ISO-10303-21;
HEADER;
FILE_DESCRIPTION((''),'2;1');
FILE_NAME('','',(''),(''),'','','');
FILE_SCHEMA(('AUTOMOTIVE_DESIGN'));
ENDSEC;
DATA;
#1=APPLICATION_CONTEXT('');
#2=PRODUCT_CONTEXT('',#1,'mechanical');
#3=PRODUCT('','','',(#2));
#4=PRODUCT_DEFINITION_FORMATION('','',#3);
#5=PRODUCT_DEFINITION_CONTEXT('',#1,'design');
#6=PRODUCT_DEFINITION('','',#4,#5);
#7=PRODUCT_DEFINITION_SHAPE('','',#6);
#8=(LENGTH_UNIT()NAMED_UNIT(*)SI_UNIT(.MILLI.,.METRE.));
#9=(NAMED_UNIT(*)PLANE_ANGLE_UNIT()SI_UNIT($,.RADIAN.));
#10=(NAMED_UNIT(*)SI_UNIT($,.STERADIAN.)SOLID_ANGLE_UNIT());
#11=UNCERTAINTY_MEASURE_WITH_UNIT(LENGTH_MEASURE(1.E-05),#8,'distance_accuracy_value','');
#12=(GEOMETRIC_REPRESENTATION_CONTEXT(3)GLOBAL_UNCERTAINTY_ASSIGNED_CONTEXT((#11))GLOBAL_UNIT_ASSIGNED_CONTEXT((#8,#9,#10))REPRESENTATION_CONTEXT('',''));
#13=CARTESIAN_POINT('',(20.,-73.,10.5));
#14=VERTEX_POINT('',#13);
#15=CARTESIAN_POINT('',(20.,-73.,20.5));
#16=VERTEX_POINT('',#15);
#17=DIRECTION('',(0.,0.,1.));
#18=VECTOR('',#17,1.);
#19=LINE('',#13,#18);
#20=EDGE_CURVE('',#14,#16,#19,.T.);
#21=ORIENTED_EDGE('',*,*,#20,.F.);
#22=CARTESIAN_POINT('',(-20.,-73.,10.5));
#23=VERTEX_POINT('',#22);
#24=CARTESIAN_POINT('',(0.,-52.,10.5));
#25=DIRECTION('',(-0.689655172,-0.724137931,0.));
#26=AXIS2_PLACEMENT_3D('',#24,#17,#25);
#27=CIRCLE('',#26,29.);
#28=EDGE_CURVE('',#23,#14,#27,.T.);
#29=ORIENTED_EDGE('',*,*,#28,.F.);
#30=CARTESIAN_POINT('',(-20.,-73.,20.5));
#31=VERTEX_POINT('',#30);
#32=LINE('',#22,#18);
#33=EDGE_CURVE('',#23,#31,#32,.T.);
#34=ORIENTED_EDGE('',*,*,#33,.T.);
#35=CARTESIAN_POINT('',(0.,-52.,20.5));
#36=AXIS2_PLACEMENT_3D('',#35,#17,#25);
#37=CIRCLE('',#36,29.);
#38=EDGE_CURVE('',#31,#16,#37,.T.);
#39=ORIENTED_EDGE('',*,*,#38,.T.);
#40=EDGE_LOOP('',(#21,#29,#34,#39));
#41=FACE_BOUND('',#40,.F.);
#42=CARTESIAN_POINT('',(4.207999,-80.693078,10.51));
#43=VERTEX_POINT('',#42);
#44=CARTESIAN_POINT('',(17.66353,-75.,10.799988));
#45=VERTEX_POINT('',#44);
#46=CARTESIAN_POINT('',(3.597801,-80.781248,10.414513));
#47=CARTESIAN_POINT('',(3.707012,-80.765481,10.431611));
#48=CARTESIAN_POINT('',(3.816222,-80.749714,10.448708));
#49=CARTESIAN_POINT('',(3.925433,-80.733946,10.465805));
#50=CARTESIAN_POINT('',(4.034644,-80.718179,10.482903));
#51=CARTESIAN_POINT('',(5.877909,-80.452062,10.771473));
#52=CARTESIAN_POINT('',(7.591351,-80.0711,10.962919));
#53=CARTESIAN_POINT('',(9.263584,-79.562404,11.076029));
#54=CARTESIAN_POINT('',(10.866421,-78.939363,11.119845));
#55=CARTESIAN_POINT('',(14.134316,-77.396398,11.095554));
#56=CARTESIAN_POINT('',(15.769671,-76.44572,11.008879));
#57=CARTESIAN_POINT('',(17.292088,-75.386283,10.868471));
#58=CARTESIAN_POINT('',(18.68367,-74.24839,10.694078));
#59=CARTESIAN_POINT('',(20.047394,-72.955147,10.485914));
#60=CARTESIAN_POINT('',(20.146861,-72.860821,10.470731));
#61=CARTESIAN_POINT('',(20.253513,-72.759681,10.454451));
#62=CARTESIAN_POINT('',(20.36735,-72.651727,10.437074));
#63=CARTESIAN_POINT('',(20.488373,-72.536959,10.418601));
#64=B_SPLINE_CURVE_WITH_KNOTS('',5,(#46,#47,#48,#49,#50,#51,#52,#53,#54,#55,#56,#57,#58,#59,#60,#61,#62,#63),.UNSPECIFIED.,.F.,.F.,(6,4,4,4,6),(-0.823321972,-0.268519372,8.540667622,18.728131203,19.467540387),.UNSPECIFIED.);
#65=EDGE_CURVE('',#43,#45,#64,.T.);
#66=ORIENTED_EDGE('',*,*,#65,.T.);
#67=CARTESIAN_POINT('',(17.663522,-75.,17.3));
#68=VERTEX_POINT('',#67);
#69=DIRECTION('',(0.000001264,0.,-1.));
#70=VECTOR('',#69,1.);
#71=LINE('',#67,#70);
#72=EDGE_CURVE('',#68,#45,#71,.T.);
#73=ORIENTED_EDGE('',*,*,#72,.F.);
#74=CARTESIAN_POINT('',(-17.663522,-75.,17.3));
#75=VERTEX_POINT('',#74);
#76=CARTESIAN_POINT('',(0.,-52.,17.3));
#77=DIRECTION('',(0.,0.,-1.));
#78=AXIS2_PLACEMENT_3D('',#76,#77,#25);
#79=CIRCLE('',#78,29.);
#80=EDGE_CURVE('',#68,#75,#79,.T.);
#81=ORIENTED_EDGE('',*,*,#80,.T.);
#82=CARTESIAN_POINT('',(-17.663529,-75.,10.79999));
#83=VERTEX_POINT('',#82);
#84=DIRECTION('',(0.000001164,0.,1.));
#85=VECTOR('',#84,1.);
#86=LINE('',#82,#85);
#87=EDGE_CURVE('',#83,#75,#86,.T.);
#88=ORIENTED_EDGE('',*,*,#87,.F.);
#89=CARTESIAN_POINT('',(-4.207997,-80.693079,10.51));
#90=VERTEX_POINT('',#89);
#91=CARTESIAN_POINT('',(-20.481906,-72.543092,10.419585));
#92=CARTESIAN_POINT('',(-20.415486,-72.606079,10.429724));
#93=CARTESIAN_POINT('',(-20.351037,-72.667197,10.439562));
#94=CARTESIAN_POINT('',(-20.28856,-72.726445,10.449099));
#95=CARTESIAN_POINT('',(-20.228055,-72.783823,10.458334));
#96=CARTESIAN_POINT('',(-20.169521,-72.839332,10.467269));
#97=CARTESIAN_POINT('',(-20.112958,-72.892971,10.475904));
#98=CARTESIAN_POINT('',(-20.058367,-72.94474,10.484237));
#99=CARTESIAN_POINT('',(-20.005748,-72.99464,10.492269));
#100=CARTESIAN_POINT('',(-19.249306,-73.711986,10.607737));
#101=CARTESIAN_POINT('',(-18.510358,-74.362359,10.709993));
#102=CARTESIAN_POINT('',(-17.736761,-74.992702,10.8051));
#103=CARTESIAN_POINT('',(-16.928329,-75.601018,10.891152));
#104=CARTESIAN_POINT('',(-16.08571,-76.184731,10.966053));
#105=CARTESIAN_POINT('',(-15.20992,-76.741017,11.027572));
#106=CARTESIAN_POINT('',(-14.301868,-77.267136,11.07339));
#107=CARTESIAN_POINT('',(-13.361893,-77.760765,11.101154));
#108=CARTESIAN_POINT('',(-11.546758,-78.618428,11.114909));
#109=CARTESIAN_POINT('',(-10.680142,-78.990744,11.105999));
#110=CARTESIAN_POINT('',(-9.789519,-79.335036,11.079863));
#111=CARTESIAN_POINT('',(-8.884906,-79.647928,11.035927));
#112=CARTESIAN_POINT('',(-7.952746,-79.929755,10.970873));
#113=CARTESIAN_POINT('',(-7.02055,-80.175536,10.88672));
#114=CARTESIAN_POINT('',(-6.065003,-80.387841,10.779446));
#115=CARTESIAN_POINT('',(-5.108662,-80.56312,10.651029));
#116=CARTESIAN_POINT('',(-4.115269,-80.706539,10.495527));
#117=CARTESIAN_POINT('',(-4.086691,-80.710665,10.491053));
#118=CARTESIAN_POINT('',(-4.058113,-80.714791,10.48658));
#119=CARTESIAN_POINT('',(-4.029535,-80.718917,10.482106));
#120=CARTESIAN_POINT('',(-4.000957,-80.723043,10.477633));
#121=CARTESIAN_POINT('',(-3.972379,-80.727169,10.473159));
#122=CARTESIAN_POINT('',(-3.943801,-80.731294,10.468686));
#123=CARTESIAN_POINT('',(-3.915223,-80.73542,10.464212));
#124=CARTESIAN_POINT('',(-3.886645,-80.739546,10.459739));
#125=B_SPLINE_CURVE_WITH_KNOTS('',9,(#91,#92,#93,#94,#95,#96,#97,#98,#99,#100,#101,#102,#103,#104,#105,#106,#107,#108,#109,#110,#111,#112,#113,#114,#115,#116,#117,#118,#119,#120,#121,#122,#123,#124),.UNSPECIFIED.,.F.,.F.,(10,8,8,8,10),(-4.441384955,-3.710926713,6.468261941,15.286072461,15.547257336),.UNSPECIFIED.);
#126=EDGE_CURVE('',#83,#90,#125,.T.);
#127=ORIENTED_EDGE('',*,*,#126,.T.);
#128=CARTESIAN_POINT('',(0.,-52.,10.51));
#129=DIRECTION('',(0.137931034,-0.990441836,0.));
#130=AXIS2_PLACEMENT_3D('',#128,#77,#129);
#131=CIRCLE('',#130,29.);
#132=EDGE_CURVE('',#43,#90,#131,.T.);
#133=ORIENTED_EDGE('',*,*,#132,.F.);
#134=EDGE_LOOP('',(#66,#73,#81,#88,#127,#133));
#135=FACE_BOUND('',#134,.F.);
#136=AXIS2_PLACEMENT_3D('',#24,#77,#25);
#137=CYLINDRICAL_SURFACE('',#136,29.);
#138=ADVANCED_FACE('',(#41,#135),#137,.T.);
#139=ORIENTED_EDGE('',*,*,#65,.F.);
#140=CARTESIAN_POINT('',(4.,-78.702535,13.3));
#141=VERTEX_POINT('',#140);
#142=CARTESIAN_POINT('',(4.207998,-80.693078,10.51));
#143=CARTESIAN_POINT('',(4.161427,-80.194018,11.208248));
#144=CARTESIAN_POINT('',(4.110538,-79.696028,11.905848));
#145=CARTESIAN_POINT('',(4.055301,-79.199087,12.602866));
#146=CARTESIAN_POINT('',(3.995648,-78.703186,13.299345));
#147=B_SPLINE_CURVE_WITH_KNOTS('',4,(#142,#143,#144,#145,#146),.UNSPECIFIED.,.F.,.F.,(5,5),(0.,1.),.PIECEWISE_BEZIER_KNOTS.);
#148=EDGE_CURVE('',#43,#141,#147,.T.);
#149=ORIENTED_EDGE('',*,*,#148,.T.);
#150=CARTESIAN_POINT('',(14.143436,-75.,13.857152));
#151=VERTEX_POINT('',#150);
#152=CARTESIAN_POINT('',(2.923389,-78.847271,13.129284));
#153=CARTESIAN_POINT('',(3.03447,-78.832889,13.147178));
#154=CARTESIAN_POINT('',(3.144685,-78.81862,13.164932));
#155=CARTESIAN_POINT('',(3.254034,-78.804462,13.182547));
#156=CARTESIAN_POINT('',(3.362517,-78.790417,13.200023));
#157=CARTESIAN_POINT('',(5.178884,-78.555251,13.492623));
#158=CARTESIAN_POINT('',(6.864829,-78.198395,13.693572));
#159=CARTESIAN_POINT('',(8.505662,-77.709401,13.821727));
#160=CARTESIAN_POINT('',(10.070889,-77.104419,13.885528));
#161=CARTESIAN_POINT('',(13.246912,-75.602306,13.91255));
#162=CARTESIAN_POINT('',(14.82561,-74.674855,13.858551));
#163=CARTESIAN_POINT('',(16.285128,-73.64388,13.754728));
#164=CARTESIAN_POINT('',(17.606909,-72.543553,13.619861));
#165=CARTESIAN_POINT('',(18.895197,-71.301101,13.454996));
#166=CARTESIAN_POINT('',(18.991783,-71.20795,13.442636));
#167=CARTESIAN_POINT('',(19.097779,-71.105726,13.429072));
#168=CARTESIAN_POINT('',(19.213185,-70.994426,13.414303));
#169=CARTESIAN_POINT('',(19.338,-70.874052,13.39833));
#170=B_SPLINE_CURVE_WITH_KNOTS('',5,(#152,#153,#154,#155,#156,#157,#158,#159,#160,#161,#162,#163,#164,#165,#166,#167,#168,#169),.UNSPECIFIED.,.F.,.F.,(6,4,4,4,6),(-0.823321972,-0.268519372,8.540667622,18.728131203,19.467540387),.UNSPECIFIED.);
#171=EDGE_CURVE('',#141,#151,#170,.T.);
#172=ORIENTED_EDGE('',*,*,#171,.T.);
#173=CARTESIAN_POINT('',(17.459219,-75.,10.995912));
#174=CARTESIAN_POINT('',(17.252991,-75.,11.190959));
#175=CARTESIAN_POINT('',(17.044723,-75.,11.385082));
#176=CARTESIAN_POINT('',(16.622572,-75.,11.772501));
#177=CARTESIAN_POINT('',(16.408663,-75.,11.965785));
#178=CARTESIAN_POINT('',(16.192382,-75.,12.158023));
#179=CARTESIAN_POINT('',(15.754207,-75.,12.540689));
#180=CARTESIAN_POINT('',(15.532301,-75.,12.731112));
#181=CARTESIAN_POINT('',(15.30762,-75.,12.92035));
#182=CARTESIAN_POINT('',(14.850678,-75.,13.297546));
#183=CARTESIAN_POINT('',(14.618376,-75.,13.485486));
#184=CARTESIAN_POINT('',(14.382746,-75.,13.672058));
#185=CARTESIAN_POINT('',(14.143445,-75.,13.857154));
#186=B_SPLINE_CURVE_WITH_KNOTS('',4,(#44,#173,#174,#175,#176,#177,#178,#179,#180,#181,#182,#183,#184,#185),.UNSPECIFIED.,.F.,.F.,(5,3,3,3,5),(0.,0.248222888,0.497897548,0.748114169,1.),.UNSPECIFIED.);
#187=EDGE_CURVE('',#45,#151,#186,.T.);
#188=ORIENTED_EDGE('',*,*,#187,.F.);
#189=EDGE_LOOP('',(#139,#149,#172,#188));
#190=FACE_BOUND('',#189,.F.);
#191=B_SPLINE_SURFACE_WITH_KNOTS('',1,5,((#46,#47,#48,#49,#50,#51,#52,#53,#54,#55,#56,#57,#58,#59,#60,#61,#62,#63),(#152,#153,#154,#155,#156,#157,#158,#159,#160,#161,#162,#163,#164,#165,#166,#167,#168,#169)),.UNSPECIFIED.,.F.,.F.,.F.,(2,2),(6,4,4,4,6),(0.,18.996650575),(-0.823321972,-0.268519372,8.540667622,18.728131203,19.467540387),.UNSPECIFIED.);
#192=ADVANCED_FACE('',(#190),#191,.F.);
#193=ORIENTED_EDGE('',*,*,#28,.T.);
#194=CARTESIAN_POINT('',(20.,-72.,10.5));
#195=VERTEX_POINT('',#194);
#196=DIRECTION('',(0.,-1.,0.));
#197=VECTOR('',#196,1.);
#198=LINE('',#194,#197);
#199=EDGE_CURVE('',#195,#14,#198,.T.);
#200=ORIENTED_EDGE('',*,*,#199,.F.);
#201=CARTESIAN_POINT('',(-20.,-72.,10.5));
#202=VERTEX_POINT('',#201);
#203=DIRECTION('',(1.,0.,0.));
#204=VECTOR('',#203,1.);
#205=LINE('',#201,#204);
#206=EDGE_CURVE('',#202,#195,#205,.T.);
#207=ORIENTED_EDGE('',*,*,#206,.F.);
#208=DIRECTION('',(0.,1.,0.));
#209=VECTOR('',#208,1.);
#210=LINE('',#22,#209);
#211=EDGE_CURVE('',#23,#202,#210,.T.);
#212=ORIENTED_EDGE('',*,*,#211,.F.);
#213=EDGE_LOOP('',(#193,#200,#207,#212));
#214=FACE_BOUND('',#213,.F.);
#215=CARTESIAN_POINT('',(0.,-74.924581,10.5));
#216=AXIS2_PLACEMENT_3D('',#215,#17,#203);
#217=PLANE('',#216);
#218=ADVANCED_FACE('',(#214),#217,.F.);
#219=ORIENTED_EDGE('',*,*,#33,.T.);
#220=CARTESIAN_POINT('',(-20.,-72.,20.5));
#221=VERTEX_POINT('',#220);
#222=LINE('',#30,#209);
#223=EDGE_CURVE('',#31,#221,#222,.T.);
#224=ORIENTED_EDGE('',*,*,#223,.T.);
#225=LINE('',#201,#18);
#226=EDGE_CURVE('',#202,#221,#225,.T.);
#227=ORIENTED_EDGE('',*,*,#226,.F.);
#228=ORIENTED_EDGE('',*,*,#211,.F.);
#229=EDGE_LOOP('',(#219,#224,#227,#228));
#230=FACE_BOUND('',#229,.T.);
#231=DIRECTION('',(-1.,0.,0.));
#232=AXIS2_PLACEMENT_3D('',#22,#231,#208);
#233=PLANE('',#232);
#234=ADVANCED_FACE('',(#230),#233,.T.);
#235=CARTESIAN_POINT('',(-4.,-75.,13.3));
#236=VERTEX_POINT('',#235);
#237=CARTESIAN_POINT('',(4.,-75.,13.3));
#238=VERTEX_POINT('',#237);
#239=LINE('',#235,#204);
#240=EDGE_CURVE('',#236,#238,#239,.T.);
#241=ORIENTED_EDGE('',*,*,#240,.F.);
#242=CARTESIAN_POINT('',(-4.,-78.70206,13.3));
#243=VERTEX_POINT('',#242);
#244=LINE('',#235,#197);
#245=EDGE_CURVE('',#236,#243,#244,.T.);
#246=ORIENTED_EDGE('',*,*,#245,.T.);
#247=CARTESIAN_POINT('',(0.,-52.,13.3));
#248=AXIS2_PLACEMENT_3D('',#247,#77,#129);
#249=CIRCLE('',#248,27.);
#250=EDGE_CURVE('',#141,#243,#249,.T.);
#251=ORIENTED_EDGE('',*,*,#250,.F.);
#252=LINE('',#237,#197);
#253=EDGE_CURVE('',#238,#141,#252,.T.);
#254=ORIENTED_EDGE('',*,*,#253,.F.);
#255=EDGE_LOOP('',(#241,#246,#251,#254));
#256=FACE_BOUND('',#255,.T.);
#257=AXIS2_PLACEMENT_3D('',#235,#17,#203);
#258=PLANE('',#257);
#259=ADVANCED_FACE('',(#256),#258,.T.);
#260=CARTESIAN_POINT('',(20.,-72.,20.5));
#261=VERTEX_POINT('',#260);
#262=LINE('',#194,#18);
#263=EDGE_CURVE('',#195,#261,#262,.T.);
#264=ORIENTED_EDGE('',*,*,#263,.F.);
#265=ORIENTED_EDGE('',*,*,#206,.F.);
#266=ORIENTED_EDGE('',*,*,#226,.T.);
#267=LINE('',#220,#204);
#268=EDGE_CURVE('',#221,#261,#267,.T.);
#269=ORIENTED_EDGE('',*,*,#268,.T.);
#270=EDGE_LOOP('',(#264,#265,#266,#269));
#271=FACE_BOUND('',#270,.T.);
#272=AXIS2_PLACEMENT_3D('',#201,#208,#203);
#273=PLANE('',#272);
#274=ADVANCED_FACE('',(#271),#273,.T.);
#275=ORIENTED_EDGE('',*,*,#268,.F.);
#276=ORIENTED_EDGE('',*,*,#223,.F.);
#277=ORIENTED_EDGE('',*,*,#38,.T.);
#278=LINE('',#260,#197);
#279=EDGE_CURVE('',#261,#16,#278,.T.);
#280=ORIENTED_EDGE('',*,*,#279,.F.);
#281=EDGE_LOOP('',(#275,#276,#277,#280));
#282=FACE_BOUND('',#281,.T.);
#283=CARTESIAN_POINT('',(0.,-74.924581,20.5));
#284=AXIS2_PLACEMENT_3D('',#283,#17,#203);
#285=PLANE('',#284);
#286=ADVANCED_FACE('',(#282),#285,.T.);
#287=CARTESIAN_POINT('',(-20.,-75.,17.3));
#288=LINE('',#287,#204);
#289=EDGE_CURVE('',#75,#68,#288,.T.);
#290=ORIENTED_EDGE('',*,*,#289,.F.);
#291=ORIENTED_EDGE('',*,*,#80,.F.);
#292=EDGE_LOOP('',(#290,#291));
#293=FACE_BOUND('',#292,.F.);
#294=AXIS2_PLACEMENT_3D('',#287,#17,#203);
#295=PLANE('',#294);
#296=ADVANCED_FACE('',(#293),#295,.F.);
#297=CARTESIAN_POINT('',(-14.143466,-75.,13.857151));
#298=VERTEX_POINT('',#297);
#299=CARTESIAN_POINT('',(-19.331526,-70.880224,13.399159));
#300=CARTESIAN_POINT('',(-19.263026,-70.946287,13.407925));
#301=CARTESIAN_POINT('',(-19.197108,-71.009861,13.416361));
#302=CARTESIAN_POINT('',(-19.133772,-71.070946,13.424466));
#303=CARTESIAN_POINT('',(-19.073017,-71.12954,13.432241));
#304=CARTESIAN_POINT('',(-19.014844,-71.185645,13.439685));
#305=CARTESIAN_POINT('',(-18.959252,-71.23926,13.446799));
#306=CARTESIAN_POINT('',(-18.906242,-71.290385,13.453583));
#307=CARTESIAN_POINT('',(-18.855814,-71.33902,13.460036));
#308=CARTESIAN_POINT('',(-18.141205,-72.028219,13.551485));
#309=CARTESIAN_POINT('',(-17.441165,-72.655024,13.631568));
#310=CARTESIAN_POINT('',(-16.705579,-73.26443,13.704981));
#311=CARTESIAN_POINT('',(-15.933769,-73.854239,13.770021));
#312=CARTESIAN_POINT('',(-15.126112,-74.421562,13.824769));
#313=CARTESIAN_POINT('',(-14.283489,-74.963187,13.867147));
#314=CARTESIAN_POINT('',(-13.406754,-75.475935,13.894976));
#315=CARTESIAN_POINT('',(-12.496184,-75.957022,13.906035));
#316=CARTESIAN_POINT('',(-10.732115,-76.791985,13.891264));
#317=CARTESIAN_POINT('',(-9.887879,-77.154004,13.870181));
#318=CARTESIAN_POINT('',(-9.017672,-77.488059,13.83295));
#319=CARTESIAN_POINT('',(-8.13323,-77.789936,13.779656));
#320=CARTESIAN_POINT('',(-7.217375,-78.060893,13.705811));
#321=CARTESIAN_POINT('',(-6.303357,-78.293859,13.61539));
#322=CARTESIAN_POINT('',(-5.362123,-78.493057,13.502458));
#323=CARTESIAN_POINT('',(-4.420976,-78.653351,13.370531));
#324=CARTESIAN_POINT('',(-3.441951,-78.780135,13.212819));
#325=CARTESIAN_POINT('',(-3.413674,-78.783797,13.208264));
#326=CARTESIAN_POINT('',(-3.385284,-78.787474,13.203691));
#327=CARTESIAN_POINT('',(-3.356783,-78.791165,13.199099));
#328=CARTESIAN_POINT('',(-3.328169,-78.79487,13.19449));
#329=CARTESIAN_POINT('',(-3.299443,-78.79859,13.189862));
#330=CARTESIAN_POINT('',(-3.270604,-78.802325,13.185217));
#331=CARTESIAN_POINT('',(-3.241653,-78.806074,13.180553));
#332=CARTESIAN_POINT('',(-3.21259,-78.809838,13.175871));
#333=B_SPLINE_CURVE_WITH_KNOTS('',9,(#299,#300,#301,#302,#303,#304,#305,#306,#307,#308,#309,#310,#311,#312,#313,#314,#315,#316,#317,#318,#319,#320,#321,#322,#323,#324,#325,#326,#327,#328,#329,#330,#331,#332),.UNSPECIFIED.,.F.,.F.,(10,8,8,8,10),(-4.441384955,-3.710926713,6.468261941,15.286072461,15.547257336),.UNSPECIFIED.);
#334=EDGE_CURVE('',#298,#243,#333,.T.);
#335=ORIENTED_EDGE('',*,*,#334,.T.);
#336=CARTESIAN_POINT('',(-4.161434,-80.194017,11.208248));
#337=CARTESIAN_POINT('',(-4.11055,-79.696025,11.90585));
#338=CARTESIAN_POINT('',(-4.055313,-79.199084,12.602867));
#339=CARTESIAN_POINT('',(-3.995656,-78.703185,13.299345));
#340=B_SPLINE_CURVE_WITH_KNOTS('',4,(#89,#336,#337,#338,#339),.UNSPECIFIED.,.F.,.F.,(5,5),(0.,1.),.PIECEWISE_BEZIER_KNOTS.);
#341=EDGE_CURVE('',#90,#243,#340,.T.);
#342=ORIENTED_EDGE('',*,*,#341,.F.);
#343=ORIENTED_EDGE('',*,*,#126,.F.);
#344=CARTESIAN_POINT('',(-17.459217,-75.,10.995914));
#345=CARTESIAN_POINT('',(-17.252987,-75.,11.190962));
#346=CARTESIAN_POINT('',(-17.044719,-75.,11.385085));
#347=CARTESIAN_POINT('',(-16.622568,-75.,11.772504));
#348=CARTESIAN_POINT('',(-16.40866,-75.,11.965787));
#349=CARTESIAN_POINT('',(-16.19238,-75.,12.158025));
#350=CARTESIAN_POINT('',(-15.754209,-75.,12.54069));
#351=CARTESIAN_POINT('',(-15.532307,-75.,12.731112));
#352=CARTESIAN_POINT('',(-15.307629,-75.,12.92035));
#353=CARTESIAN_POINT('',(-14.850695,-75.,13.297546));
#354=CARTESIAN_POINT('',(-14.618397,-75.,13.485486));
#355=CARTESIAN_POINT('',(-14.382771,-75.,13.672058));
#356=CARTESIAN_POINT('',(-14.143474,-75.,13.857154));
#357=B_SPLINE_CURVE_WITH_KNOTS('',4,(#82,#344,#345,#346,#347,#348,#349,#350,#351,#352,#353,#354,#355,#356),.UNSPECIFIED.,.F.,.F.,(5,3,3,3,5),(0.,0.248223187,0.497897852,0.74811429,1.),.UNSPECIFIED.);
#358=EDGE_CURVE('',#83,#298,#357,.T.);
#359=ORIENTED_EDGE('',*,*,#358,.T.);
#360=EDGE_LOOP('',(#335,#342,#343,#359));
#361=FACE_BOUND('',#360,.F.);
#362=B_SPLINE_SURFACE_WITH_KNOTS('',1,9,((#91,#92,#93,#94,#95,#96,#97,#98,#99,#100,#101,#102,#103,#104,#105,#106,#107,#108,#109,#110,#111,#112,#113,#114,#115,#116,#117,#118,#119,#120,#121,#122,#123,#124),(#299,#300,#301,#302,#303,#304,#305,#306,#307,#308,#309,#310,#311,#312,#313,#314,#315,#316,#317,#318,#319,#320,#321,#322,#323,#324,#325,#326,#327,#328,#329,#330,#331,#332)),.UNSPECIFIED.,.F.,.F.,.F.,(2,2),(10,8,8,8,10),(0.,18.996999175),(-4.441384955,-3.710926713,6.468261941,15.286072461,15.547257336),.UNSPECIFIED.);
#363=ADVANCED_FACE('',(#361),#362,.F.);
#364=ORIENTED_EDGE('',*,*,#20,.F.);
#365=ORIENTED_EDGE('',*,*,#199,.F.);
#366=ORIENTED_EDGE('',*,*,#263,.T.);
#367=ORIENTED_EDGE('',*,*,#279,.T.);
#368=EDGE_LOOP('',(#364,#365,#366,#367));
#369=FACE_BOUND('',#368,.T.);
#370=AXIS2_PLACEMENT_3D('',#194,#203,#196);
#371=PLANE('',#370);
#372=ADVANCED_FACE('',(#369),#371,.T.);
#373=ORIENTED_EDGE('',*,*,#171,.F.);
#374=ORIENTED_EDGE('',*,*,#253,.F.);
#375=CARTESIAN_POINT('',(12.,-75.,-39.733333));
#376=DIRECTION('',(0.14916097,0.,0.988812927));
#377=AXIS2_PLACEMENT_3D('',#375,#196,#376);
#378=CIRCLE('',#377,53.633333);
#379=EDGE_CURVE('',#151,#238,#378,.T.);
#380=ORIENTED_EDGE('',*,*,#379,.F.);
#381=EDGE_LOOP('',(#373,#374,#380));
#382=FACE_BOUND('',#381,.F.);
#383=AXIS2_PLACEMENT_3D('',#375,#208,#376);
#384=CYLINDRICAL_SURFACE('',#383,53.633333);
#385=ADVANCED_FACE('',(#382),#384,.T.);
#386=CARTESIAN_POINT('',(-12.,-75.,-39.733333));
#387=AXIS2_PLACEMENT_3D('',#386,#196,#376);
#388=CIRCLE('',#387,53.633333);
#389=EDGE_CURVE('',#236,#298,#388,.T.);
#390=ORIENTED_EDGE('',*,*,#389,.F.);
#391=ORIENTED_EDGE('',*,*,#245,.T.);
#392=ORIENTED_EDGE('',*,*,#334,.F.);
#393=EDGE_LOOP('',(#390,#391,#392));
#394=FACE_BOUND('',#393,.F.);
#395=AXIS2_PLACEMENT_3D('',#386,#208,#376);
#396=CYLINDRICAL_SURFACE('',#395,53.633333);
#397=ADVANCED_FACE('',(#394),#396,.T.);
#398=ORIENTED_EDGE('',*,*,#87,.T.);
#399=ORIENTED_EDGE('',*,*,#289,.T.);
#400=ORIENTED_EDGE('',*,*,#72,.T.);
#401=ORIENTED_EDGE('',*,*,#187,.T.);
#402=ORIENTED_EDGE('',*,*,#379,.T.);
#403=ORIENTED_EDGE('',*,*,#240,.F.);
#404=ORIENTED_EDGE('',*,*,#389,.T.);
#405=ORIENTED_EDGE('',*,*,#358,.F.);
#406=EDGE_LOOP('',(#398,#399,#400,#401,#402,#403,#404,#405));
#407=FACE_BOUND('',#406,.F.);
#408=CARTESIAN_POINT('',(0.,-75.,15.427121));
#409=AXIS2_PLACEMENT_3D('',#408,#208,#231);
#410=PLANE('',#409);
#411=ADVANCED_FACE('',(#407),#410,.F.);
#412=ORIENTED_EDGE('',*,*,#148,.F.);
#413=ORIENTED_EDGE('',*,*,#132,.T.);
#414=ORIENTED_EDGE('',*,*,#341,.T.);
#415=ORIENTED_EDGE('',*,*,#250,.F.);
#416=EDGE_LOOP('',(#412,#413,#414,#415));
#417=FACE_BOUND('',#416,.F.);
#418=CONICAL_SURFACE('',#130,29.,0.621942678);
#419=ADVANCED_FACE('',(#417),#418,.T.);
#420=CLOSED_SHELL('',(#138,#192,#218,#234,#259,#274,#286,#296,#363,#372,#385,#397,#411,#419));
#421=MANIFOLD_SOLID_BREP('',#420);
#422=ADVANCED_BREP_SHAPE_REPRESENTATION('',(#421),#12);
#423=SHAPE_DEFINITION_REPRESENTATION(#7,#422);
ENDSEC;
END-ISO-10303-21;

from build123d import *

# Parameters (mm, degrees)
PAD003_DEPTH    = 10
POCKET009_DEPTH = 6.001
CHAMFER_SIZE2   = 2
CHAMFER_SIZE    = 2.79


with BuildPart() as part:
    # Sketch036 → Pad003 (new body)
    with BuildSketch(Plane.XY):
        with BuildLine():
            ThreePointArc((-20, -1), (0, -9), (20, -1))
            Line((20, 0), (20, -1))
            Line((-20, 0), (20, 0))
            Line((-20, -1), (-20, 0))
        make_face()
    extrude(amount=PAD003_DEPTH)

    # Sketch037 (on DatumPlane) → Pocket009 (cut, through all)
    with BuildSketch(Plane.XZ.offset(3)):
        with BuildLine():
            Line((-20, 6.8), (20, 6.8))
            Line((20, 6.8), (20, 2.8))
            ThreePointArc((20, 2.8), (12, 3.4), (4, 2.8))
            Line((-4, 2.8), (4, 2.8))
            ThreePointArc((-4, 2.8), (-12, 3.4), (-20, 2.8))
            Line((-20, 2.8), (-20, 6.8))
        make_face()
    extrude(amount=POCKET009_DEPTH, mode=Mode.SUBTRACT)

    # Chamfer
    chamfer_edges = [part.edges().sort_by_distance(p)[0] for p in [
        (11.193894, -6.752509, 3.393942),
        (0, -9, 2.8),
        (-11.193894, -6.752509, 3.393942),
    ]]
    chamfer_side = part.faces().sort_by_distance((0, -9, 0.42))[0]
    chamfer(chamfer_edges, length=CHAMFER_SIZE, length2=CHAMFER_SIZE2, reference=chamfer_side)


with BuildPart() as part_1:
    # Body003 placement: moved
    add(part.part.moved(Location((0, -72, 10.5))))


solid = part_1.part
